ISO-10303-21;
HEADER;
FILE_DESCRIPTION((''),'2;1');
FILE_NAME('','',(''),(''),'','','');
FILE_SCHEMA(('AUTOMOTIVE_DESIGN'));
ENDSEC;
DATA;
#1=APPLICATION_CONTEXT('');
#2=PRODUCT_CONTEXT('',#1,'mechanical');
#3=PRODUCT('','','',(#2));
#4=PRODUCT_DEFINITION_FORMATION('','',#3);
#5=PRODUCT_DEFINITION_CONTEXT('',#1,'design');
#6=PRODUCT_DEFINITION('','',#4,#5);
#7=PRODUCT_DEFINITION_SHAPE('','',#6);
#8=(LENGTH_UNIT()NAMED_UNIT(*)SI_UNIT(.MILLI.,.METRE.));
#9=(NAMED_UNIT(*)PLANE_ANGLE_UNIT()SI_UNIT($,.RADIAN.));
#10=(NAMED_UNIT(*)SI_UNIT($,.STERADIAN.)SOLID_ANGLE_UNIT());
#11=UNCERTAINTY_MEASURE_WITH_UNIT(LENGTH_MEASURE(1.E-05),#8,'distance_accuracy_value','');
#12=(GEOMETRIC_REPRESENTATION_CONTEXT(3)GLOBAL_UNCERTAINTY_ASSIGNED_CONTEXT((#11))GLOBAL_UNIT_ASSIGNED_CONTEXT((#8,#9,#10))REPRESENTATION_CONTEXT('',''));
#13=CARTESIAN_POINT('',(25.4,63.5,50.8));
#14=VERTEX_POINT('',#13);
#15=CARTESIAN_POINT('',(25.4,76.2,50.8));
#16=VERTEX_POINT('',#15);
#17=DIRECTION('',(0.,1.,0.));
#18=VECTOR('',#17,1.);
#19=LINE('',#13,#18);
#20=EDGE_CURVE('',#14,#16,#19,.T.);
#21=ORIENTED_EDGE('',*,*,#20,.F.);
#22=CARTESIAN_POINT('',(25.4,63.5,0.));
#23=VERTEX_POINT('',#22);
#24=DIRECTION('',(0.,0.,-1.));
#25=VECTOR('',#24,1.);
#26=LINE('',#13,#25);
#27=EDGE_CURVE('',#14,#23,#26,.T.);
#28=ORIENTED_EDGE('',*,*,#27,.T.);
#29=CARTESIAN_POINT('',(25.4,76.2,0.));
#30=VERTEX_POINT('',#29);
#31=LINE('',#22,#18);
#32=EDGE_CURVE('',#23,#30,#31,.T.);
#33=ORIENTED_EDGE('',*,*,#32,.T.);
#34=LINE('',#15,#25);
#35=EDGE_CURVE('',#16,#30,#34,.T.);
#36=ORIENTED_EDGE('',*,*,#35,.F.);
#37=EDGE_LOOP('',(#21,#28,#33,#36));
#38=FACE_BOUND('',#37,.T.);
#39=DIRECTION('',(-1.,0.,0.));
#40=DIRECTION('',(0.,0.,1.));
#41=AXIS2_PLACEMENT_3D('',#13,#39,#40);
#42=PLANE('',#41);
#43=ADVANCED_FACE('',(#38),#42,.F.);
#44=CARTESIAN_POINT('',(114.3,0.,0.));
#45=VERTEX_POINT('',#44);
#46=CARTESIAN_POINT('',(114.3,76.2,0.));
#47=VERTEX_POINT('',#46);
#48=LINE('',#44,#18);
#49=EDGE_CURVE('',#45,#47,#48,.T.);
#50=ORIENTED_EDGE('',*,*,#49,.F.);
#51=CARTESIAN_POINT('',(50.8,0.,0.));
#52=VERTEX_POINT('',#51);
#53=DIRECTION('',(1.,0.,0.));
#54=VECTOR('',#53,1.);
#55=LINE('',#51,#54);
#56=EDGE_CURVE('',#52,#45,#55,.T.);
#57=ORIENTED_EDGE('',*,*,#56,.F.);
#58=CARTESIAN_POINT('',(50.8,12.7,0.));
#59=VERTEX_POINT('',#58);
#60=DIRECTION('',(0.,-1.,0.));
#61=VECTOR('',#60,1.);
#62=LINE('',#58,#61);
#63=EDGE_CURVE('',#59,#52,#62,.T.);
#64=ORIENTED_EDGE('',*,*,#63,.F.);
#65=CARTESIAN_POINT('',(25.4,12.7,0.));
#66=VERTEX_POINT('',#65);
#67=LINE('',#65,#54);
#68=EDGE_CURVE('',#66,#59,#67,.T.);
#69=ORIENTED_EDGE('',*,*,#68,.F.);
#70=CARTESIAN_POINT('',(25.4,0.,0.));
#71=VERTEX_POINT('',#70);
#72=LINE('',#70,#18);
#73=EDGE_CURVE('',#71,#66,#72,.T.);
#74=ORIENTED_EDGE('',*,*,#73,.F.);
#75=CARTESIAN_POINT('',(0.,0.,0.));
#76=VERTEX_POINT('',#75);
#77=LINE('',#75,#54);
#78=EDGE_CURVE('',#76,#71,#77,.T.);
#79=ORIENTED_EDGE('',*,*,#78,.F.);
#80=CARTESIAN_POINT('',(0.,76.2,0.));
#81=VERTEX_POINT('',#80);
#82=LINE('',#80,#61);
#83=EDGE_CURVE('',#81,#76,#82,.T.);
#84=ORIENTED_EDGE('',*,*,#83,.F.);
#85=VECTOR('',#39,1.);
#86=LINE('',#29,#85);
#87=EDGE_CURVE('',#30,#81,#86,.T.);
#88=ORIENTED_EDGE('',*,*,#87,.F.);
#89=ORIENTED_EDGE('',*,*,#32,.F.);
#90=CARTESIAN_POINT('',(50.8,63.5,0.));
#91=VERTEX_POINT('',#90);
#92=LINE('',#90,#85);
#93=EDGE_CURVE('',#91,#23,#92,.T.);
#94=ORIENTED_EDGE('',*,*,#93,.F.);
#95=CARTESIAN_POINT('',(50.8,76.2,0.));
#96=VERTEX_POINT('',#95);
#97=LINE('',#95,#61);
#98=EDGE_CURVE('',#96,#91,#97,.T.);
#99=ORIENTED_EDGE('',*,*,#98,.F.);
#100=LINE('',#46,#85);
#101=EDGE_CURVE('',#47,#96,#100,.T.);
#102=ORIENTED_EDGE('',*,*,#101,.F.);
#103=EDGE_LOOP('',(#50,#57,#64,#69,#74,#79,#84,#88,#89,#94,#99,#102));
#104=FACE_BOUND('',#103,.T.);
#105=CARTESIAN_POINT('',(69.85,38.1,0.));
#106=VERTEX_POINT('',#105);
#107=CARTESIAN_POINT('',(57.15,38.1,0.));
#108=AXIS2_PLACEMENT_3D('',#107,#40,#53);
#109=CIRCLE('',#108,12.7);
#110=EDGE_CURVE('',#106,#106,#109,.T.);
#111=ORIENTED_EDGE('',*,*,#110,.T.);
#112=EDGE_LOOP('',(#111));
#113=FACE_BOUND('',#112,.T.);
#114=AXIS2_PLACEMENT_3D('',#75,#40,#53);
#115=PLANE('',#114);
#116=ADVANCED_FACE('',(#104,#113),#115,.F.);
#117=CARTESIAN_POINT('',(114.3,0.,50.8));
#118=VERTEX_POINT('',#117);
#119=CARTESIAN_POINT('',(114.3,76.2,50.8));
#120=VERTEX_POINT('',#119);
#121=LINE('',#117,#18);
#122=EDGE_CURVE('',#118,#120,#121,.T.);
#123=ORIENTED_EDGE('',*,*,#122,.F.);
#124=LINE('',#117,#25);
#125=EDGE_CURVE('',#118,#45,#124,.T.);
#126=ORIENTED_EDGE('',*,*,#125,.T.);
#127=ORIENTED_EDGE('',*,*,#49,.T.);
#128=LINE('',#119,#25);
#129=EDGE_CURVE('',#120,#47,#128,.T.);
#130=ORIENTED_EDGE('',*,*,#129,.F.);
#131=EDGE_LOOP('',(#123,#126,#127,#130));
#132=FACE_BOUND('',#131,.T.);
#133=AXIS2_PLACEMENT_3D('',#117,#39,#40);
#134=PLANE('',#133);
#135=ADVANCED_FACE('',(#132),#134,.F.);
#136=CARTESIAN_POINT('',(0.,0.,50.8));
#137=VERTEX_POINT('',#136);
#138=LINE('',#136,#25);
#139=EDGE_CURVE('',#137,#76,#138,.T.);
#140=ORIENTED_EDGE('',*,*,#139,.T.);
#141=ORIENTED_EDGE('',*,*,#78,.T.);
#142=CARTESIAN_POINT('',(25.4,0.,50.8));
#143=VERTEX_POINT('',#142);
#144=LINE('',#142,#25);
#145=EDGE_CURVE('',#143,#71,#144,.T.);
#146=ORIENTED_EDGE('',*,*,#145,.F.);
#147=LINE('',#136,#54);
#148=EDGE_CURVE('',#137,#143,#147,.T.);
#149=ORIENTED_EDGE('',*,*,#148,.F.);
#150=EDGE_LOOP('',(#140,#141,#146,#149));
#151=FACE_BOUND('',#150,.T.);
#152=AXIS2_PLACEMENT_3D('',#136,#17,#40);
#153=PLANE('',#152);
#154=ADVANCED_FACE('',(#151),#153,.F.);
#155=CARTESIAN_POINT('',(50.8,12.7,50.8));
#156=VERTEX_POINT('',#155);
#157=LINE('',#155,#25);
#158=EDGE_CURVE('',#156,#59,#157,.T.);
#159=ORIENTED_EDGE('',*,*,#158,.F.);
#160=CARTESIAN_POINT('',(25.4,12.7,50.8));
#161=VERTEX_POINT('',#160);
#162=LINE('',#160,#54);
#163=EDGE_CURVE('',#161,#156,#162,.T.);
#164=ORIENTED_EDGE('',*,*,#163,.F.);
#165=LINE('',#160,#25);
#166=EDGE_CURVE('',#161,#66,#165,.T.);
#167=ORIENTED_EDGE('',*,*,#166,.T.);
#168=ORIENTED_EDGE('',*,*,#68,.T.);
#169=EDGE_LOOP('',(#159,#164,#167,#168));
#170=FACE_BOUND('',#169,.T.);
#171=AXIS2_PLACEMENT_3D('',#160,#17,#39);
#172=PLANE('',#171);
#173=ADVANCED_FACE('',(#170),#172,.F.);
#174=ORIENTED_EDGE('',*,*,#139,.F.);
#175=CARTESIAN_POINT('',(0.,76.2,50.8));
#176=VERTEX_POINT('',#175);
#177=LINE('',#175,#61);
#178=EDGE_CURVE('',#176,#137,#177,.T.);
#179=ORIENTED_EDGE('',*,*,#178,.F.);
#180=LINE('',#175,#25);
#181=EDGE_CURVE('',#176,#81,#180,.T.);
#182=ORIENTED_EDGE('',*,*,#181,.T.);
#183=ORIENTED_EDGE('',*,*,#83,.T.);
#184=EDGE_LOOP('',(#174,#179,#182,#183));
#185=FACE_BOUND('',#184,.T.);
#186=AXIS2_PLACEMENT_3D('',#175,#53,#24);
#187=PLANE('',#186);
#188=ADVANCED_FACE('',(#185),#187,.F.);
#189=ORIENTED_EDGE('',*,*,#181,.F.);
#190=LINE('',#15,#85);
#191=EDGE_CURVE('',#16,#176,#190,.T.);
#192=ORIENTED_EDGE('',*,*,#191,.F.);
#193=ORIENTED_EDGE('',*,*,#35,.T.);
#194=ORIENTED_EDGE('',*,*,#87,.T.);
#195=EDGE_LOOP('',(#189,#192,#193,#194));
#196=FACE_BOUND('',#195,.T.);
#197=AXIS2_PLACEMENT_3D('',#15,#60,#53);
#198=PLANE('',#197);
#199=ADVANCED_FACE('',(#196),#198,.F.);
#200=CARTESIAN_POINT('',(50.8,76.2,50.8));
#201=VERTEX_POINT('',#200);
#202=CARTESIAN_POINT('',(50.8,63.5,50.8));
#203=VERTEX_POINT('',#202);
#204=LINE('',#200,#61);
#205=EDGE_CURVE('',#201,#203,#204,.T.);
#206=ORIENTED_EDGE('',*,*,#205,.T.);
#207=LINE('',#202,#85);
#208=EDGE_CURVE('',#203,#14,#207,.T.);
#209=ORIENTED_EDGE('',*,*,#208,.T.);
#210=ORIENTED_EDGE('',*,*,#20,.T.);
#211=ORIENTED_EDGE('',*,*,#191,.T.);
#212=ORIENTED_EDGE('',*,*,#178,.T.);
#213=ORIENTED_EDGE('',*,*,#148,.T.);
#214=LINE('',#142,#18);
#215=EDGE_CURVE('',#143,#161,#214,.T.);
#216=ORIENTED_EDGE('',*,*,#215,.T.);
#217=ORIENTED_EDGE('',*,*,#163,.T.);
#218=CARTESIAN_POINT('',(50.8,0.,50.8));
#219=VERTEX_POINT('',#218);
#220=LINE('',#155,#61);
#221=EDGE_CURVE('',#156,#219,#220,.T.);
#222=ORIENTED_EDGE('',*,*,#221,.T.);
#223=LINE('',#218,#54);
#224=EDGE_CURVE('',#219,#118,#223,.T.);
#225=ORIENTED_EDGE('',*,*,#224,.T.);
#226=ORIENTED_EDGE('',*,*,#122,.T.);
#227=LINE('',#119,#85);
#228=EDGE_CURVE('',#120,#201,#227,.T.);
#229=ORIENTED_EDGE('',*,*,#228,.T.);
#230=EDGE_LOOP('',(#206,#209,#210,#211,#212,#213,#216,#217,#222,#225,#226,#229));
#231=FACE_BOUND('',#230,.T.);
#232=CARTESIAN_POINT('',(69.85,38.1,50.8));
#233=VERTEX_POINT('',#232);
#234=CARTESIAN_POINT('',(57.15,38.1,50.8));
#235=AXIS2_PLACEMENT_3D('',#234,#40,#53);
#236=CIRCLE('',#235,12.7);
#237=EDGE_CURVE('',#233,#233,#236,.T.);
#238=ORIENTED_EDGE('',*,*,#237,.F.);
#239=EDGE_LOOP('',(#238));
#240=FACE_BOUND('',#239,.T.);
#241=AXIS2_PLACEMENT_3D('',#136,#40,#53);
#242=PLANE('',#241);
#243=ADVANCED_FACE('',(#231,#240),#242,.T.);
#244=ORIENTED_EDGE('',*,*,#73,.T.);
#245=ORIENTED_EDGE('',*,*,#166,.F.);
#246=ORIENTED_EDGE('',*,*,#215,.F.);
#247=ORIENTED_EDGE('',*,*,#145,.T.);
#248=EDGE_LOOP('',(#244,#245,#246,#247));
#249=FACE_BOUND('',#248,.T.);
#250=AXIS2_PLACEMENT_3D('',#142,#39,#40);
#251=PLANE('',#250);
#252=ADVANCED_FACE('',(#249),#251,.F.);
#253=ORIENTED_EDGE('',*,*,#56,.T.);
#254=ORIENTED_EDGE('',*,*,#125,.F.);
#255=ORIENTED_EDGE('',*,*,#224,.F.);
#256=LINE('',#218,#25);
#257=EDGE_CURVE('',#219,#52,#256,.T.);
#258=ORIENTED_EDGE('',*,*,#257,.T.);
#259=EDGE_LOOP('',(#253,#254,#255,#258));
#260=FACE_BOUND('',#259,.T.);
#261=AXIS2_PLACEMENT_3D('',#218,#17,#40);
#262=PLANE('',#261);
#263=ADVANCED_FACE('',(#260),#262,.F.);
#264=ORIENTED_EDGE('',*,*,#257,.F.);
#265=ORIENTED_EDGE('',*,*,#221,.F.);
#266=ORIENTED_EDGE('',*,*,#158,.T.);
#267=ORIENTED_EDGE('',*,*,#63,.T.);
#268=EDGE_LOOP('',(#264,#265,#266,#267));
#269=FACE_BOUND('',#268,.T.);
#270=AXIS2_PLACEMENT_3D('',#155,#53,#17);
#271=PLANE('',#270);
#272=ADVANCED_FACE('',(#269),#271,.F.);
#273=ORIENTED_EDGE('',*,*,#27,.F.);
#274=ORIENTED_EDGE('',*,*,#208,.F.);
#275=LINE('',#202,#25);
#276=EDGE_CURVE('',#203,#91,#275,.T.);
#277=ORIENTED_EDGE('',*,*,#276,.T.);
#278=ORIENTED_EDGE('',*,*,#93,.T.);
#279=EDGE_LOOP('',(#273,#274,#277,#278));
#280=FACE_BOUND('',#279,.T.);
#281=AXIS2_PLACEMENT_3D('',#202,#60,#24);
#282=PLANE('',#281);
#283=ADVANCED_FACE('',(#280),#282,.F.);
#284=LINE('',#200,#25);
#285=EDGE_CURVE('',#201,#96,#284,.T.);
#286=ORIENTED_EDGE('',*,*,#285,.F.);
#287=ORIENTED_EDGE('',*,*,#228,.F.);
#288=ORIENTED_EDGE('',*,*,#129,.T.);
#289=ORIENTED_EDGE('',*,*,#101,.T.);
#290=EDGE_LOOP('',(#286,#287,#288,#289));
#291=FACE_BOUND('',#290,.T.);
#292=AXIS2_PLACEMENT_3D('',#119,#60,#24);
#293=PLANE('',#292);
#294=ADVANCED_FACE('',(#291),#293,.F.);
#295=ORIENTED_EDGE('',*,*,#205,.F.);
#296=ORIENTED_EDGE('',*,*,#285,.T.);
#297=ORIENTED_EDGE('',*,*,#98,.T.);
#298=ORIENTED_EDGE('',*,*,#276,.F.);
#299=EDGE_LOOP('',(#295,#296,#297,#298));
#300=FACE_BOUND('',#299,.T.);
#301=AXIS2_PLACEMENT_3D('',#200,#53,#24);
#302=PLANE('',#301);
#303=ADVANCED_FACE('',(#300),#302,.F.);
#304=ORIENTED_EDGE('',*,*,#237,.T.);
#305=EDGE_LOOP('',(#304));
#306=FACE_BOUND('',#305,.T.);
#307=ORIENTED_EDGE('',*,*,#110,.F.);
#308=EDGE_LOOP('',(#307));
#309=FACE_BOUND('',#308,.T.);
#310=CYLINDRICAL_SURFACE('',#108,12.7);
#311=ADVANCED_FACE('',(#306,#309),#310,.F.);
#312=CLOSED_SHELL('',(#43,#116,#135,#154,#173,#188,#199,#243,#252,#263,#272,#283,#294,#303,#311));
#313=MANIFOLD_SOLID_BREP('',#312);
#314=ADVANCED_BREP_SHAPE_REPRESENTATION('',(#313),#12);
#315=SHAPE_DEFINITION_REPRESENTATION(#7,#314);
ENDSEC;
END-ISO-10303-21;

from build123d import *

# Parameters (mm, degrees)
BOSS_EXTRUDE1_DEPTH = 50.8
SKETCH2_R           = 12.7
CUT_EXTRUDE1_DEPTH  = 50.8


with BuildPart() as part:
    # Sketch1 → Boss-Extrude1 (new body)
    with BuildSketch(Plane.XY):
        Polygon((0, 76.2), (0, 0), (25.4, 0), (25.4, 12.7), (50.8, 12.7), (50.8, 0), (114.3, 0), (114.3, 76.2), (50.8, 76.2), (50.8, 63.5), (25.4, 63.5), (25.4, 76.2), align=None)
    extrude(amount=BOSS_EXTRUDE1_DEPTH)

    # Sketch2 → Cut-Extrude1 (cut)
    with BuildSketch(Plane.XY.offset(50.8)):
        with Locations((57.15, 38.1)):
            Circle(SKETCH2_R)
    extrude(amount=-CUT_EXTRUDE1_DEPTH, mode=Mode.SUBTRACT)


solid = part.part
